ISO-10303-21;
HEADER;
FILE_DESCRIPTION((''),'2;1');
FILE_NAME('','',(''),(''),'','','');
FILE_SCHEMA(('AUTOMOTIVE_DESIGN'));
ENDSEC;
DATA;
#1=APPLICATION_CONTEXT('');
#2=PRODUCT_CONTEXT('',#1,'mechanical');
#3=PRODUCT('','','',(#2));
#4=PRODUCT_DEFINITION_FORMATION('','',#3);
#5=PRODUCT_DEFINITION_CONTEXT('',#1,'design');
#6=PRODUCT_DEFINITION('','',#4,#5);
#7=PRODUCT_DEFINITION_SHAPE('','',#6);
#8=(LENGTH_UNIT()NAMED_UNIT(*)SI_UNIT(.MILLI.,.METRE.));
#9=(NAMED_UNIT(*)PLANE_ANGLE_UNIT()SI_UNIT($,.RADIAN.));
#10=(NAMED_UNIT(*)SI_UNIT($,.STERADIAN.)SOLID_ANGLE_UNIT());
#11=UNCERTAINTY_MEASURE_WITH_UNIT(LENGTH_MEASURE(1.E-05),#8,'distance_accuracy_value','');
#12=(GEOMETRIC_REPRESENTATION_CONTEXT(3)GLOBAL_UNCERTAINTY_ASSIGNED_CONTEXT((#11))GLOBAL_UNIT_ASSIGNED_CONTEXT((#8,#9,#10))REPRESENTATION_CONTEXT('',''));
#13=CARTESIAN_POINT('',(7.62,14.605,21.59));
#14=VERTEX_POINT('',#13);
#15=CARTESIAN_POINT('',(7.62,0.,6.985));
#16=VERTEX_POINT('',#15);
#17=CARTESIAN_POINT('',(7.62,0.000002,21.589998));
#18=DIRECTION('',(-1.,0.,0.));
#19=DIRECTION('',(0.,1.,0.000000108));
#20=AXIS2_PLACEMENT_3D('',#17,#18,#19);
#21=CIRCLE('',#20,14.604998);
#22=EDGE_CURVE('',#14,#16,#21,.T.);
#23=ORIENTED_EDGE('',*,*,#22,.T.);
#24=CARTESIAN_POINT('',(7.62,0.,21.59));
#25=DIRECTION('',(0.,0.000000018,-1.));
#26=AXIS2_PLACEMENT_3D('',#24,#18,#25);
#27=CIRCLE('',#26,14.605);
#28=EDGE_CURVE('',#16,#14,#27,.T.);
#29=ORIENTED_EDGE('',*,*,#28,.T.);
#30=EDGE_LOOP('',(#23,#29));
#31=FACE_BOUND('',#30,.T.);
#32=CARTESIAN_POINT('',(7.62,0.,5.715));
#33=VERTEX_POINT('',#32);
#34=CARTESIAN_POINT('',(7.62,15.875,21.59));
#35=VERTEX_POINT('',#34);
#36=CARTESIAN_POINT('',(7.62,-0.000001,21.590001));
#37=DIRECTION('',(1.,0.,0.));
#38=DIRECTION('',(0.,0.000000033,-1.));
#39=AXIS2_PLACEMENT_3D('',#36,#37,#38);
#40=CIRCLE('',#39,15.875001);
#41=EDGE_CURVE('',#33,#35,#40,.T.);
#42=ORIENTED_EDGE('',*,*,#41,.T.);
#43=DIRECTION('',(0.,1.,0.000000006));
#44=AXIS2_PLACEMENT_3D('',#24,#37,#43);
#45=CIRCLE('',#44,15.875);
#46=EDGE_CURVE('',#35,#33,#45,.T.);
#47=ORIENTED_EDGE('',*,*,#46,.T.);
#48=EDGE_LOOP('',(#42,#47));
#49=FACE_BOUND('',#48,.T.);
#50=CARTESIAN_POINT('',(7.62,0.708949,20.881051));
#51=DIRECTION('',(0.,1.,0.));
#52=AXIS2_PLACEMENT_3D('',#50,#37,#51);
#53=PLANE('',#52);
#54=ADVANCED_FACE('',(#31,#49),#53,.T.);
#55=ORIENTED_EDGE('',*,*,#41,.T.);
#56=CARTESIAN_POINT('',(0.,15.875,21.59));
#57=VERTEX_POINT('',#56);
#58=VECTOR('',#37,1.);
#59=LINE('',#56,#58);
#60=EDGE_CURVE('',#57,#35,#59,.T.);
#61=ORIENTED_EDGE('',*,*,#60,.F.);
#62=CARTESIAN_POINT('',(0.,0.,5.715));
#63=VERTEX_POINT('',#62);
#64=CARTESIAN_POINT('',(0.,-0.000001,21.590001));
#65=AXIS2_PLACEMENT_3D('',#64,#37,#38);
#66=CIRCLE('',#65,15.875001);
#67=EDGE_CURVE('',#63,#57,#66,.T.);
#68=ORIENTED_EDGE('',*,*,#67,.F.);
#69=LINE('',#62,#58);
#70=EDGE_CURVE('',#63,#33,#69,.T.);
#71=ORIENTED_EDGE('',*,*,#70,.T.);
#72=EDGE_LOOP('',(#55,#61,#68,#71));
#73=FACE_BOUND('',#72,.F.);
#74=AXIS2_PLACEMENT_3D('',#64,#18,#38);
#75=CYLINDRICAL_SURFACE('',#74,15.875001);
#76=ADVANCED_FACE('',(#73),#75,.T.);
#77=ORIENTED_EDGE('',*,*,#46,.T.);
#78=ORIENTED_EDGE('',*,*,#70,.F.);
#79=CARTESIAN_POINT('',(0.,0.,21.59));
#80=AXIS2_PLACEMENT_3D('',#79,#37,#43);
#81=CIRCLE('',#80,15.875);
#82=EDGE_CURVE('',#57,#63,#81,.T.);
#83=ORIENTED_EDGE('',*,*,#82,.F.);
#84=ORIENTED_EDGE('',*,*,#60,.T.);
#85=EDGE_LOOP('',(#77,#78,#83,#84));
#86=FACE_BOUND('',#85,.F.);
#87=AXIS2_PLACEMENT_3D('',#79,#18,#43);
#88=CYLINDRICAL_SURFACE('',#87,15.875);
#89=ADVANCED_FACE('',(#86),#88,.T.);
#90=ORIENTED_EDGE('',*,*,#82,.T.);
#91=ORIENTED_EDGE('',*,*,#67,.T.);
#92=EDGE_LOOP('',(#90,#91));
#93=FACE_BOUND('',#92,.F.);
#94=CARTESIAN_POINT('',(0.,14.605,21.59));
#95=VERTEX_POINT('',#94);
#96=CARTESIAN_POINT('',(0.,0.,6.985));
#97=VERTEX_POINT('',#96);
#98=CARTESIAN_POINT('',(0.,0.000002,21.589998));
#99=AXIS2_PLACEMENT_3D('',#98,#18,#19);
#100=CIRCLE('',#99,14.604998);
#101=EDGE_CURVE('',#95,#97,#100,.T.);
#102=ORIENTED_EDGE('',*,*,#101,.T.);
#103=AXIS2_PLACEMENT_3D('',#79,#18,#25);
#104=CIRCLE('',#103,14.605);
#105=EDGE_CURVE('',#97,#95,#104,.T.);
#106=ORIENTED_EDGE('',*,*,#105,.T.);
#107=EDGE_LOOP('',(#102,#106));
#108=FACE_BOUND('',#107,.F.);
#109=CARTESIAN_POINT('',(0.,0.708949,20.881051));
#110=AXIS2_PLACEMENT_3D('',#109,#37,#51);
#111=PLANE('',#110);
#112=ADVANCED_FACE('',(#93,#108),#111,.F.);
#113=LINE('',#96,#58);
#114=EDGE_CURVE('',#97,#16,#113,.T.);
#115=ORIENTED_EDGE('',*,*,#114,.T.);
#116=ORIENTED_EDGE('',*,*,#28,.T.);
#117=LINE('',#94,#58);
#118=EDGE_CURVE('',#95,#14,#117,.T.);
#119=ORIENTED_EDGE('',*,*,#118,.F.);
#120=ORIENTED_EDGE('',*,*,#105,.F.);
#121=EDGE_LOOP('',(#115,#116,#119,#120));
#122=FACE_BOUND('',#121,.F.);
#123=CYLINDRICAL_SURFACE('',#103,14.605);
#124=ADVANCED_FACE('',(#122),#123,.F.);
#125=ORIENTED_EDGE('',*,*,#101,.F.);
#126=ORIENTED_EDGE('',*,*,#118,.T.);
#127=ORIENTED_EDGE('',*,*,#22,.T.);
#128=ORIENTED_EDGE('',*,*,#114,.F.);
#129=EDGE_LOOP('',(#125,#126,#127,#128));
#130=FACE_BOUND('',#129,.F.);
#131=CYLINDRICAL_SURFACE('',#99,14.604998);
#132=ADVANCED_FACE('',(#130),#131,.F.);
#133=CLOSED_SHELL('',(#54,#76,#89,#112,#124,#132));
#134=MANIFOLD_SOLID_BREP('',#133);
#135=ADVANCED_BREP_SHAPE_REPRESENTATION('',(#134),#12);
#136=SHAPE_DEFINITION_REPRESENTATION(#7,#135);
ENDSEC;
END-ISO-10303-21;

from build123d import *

# Parameters (mm, degrees)
F1_DEPTH = 7.62


with BuildPart() as f1:
    # F0 (on Right) → F1 (new body)
    with BuildSketch(Plane.YZ):
        with BuildLine():
            ThreePointArc((15.875, 21.59), (-11.22532, 32.81532), (0, 5.715))
            ThreePointArc((0, 5.715), (11.22532, 10.36468), (15.875, 21.59))
        make_face()
        with BuildLine():
            ThreePointArc((14.605, 21.59), (10.327295, 11.262705), (0, 6.985))
            ThreePointArc((0, 6.985), (-10.327295, 31.917295), (14.605, 21.59))
        make_face(mode=Mode.SUBTRACT)
    extrude(amount=F1_DEPTH)


solid = f1.part
